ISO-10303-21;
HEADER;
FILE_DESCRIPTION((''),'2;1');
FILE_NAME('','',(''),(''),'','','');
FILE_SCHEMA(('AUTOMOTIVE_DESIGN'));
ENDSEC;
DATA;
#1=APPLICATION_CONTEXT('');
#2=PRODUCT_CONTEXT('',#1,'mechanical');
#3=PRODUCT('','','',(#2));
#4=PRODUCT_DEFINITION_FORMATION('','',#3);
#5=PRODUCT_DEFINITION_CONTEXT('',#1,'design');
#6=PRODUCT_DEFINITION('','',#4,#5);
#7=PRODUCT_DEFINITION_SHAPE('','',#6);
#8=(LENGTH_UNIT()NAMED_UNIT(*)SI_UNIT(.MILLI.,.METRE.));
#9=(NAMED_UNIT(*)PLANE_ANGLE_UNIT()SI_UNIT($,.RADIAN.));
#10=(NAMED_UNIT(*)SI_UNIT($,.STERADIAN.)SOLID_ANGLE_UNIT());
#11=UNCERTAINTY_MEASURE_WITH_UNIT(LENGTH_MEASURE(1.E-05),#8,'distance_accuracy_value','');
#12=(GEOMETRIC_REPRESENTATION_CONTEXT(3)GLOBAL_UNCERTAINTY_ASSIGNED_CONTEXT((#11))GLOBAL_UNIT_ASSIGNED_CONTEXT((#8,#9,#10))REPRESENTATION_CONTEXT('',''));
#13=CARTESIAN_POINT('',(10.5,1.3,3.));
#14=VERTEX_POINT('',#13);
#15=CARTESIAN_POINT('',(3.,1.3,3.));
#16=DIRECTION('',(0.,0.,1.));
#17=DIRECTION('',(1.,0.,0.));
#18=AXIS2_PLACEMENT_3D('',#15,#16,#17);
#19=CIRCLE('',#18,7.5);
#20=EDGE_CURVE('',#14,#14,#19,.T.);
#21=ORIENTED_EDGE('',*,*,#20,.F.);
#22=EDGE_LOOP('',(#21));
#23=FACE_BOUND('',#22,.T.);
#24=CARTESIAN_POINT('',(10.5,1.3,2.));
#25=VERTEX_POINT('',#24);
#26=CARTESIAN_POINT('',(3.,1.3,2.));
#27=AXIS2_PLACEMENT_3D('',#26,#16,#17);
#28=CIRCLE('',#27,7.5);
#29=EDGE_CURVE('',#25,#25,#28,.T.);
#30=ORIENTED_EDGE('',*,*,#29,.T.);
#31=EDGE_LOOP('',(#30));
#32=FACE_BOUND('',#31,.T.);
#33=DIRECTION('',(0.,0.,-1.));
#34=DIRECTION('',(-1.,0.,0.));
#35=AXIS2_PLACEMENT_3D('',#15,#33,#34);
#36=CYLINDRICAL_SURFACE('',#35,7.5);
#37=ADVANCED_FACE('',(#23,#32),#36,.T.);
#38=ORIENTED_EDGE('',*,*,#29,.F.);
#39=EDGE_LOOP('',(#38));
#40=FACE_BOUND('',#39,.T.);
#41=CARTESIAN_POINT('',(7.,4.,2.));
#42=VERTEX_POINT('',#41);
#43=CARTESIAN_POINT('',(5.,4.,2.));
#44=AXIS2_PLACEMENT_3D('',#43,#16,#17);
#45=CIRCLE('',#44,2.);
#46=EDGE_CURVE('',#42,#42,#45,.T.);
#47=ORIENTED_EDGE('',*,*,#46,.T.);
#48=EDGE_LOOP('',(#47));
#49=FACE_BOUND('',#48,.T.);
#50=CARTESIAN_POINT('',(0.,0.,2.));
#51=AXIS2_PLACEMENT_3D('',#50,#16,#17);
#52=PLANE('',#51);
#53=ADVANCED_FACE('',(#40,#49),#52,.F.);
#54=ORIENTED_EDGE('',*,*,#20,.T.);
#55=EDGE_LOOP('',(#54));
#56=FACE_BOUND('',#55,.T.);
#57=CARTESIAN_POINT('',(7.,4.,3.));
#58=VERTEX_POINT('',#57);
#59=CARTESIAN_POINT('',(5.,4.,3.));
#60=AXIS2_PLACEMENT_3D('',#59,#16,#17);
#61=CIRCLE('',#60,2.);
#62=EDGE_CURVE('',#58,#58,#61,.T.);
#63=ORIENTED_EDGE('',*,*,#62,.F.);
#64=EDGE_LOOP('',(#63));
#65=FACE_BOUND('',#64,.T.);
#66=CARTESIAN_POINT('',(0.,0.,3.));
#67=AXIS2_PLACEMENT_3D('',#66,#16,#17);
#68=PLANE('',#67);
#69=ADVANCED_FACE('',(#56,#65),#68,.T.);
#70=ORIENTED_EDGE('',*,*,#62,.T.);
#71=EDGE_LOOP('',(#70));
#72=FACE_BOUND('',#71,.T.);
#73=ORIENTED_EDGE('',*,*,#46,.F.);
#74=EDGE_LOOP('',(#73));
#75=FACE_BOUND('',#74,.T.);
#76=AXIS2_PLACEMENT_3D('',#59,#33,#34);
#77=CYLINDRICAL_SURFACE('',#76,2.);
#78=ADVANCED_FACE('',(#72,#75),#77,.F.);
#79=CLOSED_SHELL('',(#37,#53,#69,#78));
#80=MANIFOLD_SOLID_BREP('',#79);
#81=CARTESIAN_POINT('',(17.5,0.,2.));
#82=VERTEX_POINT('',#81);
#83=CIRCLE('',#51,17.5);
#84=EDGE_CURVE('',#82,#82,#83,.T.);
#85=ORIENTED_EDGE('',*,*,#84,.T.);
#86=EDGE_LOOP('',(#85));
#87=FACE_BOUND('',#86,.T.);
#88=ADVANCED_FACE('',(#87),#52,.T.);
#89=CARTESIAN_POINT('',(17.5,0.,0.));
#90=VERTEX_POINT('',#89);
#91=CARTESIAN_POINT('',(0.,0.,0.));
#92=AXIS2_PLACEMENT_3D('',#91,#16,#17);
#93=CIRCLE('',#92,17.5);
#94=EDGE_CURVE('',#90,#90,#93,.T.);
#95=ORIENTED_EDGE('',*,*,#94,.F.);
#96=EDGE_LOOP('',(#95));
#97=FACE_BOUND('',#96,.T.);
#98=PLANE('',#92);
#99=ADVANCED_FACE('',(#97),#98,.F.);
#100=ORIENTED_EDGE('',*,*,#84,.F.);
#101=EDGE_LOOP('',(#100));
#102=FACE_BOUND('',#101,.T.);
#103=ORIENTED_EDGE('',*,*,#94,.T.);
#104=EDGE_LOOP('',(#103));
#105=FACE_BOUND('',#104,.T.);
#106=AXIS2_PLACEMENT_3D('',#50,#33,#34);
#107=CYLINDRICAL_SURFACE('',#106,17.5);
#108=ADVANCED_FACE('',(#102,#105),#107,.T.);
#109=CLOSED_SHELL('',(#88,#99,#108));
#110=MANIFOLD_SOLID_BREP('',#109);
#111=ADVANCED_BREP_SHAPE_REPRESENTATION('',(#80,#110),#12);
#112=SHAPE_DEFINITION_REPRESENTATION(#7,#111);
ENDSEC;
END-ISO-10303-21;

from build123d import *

# Parameters (mm, degrees)
SKETCH1_R           = 17.5
BOSS_EXTRUDE1_DEPTH = 2
SKETCH2_R           = 7.5
SKETCH2_R_2         = 2
BOSS_EXTRUDE2_DEPTH = 1


with BuildPart() as part:
    # Sketch1 → Boss-Extrude1 (new body)
    with BuildSketch(Plane.XY):
        Circle(SKETCH1_R)
    extrude(amount=BOSS_EXTRUDE1_DEPTH)


with BuildPart() as body_2:
    # Sketch2 → Boss-Extrude2 (new body)
    with BuildSketch(Plane.XY.offset(2)):
        with Locations((3, 1.3)):
            Circle(SKETCH2_R)
        with Locations((5, 4)):
            Circle(SKETCH2_R_2, mode=Mode.SUBTRACT)
    extrude(amount=BOSS_EXTRUDE2_DEPTH)


solid = Compound([part.part, body_2.part])
